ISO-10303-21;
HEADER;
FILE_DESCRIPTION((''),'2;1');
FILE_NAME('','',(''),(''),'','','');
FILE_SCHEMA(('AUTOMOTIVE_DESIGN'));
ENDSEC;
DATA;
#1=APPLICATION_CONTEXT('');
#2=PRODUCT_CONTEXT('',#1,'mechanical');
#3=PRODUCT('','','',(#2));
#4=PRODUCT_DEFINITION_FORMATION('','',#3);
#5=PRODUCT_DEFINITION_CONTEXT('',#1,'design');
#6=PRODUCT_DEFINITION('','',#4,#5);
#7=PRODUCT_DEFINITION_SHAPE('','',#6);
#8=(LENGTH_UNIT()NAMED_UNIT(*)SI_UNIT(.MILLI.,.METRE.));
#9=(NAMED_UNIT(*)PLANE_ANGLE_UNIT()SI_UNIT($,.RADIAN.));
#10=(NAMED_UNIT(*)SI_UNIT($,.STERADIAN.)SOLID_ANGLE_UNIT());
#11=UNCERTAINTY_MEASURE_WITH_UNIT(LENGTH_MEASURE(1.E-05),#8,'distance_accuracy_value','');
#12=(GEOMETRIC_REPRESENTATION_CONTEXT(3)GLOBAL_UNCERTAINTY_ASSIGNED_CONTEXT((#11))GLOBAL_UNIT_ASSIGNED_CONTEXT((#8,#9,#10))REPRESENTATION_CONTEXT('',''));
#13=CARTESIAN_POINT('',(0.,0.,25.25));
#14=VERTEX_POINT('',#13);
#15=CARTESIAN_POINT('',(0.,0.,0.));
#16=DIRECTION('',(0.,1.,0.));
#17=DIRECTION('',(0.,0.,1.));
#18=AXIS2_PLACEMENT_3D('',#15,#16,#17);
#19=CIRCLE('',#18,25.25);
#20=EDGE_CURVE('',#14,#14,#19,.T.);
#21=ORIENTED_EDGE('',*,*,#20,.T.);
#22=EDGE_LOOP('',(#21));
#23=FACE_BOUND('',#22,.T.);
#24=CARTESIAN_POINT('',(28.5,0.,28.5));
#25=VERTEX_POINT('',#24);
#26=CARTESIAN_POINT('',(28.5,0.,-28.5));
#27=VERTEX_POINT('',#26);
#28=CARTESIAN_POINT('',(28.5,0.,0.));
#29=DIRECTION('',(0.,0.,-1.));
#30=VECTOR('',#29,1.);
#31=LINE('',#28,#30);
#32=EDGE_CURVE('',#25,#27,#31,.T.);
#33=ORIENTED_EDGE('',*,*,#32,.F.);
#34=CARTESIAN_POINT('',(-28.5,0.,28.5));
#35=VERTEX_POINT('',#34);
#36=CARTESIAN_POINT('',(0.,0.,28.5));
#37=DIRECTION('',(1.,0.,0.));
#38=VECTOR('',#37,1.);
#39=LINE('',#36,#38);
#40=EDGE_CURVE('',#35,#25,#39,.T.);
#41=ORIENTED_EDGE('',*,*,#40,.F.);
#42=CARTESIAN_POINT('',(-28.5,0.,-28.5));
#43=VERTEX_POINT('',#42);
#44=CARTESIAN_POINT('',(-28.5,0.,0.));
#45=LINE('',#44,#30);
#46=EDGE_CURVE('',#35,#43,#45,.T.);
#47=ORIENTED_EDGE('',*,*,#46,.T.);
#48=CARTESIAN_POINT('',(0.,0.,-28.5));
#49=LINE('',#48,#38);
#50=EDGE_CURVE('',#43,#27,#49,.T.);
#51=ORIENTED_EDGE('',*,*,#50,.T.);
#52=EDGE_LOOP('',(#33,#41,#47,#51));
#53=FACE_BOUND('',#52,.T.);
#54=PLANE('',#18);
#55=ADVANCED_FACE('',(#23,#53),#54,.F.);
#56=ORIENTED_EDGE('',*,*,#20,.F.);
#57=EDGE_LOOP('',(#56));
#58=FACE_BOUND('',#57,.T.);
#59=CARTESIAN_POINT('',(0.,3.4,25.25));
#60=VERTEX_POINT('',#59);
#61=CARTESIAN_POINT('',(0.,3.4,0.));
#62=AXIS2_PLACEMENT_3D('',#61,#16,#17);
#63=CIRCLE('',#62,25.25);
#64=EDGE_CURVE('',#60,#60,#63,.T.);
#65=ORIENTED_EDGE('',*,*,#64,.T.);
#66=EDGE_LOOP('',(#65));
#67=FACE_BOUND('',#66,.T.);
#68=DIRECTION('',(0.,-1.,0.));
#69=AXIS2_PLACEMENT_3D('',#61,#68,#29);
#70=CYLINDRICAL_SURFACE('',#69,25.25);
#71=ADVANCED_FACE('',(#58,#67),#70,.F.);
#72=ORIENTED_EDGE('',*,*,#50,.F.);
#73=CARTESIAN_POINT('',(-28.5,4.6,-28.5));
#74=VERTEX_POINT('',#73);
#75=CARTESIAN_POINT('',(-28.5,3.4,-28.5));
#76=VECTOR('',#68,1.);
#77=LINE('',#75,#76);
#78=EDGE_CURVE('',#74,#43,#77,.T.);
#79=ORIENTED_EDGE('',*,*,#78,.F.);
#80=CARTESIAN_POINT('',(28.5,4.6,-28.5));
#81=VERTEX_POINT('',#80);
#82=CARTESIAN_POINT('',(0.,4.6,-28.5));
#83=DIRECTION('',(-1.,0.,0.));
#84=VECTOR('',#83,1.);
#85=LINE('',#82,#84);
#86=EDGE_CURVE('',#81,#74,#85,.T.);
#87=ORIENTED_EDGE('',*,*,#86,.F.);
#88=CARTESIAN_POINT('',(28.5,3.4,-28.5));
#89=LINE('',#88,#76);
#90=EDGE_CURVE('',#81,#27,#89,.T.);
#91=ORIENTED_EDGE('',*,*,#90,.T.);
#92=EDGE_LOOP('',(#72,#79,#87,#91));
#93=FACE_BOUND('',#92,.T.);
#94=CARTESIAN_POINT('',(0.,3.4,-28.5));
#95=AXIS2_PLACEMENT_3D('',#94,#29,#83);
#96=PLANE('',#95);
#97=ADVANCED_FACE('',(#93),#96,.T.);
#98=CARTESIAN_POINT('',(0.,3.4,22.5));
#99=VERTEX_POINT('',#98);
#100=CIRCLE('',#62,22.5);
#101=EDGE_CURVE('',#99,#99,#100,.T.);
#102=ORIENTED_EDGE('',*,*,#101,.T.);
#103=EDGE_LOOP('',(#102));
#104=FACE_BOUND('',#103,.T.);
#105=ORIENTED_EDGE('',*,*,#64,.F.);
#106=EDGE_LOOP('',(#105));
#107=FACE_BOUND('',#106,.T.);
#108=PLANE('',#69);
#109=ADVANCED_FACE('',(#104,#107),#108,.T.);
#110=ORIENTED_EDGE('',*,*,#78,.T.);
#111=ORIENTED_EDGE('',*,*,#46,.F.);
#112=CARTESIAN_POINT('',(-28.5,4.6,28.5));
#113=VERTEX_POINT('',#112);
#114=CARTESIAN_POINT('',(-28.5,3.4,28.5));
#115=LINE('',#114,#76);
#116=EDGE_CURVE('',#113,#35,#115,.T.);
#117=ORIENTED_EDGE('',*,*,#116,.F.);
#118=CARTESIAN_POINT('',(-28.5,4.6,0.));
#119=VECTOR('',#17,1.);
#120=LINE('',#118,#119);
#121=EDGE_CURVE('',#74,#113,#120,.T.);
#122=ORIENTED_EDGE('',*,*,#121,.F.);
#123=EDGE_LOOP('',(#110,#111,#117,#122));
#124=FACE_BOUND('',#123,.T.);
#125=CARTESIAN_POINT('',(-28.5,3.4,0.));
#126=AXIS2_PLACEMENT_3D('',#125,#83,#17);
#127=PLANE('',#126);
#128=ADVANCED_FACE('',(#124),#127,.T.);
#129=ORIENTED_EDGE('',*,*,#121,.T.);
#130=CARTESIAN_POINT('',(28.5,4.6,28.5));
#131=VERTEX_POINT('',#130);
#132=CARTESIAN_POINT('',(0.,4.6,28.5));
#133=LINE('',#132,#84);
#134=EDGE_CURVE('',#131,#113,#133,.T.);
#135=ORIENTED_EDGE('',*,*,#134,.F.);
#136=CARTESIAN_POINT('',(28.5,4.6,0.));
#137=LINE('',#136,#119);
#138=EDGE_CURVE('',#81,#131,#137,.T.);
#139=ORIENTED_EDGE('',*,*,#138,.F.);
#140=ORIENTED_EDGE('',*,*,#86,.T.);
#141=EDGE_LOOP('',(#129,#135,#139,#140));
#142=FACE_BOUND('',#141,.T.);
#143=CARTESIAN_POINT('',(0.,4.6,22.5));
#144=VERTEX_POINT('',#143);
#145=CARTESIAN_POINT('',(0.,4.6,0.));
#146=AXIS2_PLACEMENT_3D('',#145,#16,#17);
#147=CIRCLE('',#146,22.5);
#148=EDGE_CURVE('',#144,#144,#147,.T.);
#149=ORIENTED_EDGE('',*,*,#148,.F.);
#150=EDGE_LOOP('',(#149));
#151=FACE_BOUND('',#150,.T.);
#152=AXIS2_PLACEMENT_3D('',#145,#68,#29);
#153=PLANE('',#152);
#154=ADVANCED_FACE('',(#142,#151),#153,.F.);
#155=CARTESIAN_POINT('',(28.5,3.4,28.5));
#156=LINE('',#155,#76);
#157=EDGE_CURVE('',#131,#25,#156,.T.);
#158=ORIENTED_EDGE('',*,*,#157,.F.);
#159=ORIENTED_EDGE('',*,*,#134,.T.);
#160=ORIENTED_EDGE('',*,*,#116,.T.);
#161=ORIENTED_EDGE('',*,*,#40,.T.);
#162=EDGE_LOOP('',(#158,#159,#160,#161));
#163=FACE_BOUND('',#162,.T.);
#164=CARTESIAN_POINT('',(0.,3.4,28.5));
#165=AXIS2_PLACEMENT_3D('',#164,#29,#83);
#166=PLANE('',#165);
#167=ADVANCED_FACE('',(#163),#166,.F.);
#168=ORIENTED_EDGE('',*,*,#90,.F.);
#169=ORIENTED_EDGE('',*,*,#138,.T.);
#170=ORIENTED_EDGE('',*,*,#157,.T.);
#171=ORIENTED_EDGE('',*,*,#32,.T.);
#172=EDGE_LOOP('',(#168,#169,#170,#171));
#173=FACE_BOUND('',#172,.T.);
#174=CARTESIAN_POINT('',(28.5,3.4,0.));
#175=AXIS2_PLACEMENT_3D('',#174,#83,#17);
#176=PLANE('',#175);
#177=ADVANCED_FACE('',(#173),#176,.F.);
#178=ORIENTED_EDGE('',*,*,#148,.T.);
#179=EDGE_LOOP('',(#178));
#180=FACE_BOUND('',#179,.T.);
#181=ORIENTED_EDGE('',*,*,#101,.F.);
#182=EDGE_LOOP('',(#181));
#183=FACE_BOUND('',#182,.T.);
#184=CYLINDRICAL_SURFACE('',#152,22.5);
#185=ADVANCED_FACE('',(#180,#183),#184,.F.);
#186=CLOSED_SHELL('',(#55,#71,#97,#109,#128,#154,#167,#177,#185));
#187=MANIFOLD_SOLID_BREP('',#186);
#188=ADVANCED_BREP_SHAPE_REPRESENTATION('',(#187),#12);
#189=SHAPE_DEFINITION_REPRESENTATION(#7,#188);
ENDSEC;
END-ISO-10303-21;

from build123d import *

# Parameters (mm, degrees)
SKIZZE1_W                       = 57
SKIZZE1_H                       = 57
SKIZZE1_R                       = 25.25
AUFSATZ_LINEAR_AUSTRAGEN1_DEPTH = 3.4
AUFSATZ_LINEAR_START            = 3.4
SKIZZE1_3_W                     = 57
SKIZZE1_3_H                     = 57
SKIZZE1_3_R                     = 25.25
SKIZZE1_3_R_2                   = 22.5
AUFSATZ_LINEAR_AUSTRAGEN2_DEPTH = 1.2


with BuildPart() as part:
    # Skizze1 → Aufsatz-Linear austragen1 (new body)
    with BuildSketch(Plane(origin=(0, 0, 0), x_dir=(1, 0, 0), z_dir=(0, 1, 0))):
        Rectangle(SKIZZE1_W, SKIZZE1_H)
        with Locations(Location((0, 0, 0), (0, 0, 270))):
            Circle(SKIZZE1_R, mode=Mode.SUBTRACT)
    extrude(amount=AUFSATZ_LINEAR_AUSTRAGEN1_DEPTH)

    # Skizze1<3> → Aufsatz-Linear austragen2 (add)
    # profile 1 of 2: a face of its own
    with BuildSketch(Plane(origin=(0, 0, 0), x_dir=(1, 0, 0), z_dir=(0, 1, 0)).offset(AUFSATZ_LINEAR_START)):
        Rectangle(SKIZZE1_3_W, SKIZZE1_3_H)
        with Locations(Location((0, 0, 0), (0, 0, 270))):
            Circle(SKIZZE1_3_R, mode=Mode.SUBTRACT)
    # profile 2 of 2: a face of its own
    with BuildSketch(Plane(origin=(0, 0, 0), x_dir=(1, 0, 0), z_dir=(0, 1, 0)).offset(AUFSATZ_LINEAR_START)):
        with Locations(Location((0, 0, 0), (0, 0, 270))):
            Circle(SKIZZE1_3_R)
        with Locations(Location((0, 0, 0), (0, 0, 270))):
            Circle(SKIZZE1_3_R_2, mode=Mode.SUBTRACT)
    extrude(amount=AUFSATZ_LINEAR_AUSTRAGEN2_DEPTH)


solid = part.part
